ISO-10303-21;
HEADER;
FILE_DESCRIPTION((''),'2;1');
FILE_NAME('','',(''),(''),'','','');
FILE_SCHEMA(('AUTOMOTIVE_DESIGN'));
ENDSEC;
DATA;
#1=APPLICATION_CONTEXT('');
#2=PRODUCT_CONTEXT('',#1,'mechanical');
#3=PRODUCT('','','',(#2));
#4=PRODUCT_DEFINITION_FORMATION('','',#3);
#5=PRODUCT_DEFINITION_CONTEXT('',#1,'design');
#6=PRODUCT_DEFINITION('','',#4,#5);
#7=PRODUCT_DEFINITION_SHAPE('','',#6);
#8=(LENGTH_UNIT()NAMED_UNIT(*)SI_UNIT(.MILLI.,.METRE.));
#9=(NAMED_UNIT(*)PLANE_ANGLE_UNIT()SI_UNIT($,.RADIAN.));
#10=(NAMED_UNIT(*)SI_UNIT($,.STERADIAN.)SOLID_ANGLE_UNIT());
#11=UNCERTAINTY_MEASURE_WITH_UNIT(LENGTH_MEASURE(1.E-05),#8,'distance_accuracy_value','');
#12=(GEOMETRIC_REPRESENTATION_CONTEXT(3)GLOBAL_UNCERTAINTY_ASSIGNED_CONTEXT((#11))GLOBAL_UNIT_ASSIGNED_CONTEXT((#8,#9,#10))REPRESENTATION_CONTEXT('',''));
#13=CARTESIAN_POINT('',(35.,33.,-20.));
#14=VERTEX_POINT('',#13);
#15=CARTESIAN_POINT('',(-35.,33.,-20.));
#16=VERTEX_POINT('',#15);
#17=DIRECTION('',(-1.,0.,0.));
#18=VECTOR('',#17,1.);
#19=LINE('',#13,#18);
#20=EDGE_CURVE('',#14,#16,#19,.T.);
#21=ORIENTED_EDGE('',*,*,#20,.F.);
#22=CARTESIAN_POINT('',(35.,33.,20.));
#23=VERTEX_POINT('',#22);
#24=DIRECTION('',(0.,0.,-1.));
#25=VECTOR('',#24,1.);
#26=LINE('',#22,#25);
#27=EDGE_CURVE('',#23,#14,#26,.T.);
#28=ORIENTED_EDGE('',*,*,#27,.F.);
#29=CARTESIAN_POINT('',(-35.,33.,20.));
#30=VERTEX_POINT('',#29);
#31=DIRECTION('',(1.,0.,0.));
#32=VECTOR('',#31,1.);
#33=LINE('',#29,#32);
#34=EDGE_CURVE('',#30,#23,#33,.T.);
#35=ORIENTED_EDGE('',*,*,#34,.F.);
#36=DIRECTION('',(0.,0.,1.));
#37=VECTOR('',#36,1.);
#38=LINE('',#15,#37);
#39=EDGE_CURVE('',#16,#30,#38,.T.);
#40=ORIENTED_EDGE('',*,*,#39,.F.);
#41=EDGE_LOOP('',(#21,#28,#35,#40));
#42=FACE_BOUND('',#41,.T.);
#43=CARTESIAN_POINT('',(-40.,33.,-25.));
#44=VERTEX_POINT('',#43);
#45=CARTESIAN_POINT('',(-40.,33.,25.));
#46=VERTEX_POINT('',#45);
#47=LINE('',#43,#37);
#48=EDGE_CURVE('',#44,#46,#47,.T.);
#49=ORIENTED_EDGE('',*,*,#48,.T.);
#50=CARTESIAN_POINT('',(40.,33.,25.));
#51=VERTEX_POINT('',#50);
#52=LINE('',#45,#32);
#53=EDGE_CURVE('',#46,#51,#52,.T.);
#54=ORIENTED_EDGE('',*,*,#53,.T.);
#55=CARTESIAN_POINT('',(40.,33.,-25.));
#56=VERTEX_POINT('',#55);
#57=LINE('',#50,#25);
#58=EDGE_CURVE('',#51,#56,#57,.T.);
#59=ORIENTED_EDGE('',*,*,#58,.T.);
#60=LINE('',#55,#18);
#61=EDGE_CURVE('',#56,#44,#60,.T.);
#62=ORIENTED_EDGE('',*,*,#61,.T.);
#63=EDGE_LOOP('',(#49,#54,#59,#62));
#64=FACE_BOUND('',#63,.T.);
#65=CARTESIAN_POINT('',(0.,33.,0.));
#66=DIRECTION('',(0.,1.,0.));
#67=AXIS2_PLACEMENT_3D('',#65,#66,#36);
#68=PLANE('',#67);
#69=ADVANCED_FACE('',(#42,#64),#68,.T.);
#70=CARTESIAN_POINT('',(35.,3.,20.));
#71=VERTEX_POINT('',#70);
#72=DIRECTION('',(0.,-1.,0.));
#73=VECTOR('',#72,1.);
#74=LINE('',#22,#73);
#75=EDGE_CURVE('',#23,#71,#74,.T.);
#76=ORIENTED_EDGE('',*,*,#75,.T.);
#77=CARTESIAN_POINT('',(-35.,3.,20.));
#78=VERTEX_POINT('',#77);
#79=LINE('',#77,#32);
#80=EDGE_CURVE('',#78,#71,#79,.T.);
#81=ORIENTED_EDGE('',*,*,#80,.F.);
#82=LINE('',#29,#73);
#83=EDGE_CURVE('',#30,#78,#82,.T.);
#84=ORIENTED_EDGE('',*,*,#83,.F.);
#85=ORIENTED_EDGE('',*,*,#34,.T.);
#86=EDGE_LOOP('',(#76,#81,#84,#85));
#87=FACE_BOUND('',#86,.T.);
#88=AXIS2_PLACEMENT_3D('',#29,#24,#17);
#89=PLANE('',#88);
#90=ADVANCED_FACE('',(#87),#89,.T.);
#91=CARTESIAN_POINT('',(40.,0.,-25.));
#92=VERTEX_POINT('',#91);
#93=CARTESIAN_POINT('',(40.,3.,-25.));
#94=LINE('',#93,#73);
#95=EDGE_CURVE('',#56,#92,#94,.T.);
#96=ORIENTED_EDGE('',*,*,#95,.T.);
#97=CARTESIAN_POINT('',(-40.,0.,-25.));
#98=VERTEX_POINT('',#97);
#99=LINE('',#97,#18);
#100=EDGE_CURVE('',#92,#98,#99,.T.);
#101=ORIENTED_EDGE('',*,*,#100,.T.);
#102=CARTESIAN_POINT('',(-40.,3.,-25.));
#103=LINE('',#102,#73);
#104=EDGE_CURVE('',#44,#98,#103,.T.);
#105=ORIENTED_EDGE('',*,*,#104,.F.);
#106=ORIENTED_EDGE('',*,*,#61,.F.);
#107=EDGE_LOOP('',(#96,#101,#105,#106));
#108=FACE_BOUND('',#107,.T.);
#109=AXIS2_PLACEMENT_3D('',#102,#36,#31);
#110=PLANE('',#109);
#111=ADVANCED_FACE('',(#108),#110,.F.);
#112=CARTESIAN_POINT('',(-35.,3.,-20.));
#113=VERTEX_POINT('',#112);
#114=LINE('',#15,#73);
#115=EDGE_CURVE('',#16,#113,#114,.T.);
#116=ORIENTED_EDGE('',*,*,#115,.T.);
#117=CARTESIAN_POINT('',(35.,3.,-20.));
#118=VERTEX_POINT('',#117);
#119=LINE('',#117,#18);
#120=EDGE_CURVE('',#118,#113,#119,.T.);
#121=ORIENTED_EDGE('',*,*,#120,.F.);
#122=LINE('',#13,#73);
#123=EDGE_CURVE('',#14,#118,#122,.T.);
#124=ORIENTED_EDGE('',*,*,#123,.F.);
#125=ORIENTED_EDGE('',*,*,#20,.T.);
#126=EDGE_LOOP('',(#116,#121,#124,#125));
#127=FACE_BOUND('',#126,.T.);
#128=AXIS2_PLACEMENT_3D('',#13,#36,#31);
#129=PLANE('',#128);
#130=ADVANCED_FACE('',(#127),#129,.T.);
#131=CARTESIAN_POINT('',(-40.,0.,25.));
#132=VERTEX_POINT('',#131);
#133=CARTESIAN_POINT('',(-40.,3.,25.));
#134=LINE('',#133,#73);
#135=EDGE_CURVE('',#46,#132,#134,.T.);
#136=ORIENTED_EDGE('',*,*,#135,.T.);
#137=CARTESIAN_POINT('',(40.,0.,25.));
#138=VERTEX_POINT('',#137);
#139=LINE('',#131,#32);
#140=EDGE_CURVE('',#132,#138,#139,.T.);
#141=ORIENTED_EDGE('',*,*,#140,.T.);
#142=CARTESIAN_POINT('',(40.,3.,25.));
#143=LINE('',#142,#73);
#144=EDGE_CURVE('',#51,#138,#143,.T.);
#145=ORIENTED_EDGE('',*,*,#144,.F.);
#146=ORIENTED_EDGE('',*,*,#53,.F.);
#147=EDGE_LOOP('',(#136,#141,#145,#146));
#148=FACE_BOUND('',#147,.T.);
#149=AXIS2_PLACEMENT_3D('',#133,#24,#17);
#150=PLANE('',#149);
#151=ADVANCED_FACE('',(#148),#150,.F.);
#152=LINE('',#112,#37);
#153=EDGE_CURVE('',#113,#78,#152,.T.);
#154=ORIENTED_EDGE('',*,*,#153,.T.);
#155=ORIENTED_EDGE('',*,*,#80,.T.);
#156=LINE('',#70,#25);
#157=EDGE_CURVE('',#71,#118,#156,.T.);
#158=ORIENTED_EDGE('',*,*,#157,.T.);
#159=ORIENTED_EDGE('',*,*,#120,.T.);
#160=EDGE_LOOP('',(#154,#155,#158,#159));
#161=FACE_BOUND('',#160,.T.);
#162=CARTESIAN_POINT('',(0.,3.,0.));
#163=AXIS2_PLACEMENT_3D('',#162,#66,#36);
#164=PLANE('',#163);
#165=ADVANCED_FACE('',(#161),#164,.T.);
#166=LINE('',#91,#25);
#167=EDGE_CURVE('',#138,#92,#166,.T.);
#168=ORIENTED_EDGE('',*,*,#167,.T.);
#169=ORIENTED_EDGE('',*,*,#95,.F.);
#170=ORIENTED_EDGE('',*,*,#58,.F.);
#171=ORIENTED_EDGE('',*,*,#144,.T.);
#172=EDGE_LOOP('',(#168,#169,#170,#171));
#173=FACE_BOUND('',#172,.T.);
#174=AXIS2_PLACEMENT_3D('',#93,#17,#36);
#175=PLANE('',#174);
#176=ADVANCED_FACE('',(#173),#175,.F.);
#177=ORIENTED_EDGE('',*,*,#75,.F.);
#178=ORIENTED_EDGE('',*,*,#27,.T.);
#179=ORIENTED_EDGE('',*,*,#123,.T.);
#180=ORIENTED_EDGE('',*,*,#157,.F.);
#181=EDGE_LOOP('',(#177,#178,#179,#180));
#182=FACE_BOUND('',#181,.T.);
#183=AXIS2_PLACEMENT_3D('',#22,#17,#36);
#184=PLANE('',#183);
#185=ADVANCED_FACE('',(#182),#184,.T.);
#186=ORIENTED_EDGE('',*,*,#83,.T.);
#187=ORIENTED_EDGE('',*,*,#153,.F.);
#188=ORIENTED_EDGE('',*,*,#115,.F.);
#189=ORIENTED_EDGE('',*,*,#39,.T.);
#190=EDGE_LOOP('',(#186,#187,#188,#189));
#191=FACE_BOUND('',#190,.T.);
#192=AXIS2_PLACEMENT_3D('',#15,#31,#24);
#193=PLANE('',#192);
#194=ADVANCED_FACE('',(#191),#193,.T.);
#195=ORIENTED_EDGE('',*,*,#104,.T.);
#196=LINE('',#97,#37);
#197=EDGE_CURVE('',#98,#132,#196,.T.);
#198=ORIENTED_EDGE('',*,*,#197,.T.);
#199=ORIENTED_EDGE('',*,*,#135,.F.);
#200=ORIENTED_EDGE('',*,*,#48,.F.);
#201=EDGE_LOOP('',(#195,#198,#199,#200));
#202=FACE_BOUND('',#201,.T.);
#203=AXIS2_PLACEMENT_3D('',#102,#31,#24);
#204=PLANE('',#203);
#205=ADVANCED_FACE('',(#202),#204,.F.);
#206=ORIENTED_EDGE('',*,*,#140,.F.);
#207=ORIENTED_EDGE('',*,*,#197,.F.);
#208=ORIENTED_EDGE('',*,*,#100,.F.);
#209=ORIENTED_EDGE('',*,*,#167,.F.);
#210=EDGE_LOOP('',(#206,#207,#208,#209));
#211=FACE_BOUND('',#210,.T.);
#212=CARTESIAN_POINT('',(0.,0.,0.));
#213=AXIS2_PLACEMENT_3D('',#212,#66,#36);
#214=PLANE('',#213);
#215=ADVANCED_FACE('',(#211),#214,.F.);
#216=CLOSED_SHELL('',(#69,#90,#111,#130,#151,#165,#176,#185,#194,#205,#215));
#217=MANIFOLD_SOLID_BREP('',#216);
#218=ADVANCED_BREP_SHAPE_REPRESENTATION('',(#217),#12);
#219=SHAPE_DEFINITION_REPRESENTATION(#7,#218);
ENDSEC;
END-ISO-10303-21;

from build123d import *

# Parameters (mm, degrees)
SKETCH1_W           = 80
SKETCH1_H           = 50
BOSS_EXTRUDE1_DEPTH = 3
SKETCH2_W           = 80
SKETCH2_H           = 50
SKETCH2_W_2         = 70
SKETCH2_H_2         = 40
BOSS_EXTRUDE2_DEPTH = 30


with BuildPart() as part:
    # Sketch1 → Boss-Extrude1 (new body)
    with BuildSketch(Plane(origin=(0, 0, 0), x_dir=(1, 0, 0), z_dir=(0, 1, 0))):
        Rectangle(SKETCH1_W, SKETCH1_H)
    extrude(amount=BOSS_EXTRUDE1_DEPTH)

    # Sketch2 → Boss-Extrude2 (add)
    with BuildSketch(Plane(origin=(0, 3, 0), x_dir=(1, 0, 0), z_dir=(0, 1, 0))):
        Rectangle(SKETCH2_W, SKETCH2_H)
        Rectangle(SKETCH2_W_2, SKETCH2_H_2, mode=Mode.SUBTRACT)
    extrude(amount=BOSS_EXTRUDE2_DEPTH)


solid = part.part
